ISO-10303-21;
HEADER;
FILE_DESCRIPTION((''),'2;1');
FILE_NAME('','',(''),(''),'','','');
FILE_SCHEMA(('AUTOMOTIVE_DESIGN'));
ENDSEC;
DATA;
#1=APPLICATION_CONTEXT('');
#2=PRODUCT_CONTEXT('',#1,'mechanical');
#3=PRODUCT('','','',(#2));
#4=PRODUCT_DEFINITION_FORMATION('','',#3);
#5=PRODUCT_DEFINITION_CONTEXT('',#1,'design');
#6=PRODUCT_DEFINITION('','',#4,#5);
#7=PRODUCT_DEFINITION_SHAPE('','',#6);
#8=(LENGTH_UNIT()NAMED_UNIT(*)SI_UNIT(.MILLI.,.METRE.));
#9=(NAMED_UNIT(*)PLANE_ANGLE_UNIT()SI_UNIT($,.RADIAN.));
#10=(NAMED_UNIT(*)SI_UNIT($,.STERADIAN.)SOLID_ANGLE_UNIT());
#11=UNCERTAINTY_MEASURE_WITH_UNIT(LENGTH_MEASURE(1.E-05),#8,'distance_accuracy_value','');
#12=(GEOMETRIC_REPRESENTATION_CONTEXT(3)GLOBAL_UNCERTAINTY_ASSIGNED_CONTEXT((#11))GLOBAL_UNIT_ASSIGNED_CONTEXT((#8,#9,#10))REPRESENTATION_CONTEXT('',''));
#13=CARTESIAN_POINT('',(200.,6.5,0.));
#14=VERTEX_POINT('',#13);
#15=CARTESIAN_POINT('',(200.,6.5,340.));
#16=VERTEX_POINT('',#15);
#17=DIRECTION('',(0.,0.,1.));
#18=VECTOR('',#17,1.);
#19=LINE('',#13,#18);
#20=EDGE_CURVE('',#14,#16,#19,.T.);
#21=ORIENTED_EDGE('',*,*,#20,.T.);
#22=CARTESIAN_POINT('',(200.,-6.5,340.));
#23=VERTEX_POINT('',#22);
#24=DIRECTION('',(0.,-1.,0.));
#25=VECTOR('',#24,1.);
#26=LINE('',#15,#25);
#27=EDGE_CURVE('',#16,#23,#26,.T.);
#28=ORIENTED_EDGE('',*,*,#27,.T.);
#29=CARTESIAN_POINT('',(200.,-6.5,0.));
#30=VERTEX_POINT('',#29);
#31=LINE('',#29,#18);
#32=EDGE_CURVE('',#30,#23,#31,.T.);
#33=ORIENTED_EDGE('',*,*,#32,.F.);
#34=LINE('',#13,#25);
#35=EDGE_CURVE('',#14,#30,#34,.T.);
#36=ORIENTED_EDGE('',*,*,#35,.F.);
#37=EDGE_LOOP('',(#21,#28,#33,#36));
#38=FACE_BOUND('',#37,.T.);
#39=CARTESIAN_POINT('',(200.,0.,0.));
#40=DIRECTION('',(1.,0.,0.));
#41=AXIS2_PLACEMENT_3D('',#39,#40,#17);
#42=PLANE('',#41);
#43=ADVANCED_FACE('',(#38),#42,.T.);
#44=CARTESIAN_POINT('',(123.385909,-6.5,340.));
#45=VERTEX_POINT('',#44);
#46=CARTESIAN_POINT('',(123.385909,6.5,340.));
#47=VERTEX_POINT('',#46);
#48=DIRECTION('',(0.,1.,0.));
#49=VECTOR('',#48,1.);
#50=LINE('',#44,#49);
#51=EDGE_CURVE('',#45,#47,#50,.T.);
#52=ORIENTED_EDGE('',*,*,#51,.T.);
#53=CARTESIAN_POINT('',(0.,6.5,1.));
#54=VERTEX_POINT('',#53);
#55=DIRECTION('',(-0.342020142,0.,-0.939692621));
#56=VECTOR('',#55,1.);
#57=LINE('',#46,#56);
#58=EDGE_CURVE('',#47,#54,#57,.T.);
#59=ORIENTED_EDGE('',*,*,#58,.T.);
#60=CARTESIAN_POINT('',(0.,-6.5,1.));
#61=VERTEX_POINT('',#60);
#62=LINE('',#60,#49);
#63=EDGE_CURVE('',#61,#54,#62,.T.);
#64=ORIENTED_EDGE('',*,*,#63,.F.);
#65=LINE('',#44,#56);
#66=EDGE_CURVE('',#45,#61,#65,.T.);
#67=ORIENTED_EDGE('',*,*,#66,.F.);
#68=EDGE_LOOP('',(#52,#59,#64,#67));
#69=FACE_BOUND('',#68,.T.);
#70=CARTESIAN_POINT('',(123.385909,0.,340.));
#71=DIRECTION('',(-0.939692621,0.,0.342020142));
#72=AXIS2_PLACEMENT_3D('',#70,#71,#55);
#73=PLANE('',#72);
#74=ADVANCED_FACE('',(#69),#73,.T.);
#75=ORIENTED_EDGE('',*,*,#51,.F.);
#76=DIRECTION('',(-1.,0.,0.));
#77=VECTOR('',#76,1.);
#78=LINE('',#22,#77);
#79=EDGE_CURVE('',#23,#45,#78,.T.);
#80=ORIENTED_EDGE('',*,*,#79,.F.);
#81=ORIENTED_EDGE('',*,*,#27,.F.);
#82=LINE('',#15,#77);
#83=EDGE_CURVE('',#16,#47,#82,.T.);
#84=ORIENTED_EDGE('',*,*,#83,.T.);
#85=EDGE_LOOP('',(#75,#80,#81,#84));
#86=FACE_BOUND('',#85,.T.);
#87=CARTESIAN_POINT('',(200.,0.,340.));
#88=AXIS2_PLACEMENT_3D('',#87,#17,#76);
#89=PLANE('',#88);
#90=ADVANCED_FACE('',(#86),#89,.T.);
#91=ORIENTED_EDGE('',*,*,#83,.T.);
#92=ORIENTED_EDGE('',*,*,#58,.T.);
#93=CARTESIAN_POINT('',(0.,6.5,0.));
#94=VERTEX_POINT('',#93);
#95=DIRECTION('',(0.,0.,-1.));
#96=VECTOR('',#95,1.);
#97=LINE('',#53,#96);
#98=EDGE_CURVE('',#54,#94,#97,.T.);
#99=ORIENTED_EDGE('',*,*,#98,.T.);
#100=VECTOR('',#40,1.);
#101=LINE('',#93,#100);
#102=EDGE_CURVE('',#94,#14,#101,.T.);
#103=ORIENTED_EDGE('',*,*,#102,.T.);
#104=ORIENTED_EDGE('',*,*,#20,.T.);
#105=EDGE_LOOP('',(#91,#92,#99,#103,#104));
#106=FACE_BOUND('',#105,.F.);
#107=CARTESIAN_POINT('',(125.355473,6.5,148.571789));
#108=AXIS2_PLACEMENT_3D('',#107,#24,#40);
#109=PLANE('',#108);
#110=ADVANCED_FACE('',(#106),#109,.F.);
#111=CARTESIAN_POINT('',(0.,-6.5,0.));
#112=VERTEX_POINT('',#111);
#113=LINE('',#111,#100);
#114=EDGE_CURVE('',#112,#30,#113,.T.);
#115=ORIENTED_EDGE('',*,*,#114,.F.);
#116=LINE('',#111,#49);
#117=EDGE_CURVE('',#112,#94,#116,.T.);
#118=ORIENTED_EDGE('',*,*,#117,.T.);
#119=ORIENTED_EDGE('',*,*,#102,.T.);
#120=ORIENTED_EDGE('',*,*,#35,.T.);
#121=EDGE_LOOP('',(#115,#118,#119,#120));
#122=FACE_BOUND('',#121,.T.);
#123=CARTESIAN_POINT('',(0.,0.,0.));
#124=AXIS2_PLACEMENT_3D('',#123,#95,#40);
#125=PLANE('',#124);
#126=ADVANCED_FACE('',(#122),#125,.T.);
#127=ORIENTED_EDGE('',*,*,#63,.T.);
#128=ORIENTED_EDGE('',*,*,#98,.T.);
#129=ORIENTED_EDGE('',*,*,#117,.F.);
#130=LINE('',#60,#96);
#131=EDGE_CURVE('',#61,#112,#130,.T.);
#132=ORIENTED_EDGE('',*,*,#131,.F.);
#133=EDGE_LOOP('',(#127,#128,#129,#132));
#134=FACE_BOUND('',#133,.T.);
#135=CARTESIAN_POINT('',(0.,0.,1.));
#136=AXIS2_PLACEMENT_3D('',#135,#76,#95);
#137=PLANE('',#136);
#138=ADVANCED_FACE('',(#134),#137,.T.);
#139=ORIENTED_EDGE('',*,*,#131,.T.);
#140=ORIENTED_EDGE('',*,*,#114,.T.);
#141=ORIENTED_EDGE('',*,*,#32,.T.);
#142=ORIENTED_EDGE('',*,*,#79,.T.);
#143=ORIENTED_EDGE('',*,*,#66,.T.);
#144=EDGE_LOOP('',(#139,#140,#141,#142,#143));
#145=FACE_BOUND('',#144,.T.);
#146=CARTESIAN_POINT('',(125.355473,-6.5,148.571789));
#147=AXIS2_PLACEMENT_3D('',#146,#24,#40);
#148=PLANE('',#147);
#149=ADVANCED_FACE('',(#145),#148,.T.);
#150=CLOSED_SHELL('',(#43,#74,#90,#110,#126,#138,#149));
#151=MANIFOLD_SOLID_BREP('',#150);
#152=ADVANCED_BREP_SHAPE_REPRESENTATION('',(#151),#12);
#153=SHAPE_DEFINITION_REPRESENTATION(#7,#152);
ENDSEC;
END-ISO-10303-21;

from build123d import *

# Parameters (mm, degrees)
PAD_DEPTH = 6.5


with BuildPart() as part:
    # Sketch → Pad (new body, symmetric)
    with BuildSketch(Plane.XZ):
        Polygon((0, 0), (200, 0), (200, 340), (123.385909, 340), (0, 1), align=None)
    extrude(amount=PAD_DEPTH, both=True)


solid = part.part
